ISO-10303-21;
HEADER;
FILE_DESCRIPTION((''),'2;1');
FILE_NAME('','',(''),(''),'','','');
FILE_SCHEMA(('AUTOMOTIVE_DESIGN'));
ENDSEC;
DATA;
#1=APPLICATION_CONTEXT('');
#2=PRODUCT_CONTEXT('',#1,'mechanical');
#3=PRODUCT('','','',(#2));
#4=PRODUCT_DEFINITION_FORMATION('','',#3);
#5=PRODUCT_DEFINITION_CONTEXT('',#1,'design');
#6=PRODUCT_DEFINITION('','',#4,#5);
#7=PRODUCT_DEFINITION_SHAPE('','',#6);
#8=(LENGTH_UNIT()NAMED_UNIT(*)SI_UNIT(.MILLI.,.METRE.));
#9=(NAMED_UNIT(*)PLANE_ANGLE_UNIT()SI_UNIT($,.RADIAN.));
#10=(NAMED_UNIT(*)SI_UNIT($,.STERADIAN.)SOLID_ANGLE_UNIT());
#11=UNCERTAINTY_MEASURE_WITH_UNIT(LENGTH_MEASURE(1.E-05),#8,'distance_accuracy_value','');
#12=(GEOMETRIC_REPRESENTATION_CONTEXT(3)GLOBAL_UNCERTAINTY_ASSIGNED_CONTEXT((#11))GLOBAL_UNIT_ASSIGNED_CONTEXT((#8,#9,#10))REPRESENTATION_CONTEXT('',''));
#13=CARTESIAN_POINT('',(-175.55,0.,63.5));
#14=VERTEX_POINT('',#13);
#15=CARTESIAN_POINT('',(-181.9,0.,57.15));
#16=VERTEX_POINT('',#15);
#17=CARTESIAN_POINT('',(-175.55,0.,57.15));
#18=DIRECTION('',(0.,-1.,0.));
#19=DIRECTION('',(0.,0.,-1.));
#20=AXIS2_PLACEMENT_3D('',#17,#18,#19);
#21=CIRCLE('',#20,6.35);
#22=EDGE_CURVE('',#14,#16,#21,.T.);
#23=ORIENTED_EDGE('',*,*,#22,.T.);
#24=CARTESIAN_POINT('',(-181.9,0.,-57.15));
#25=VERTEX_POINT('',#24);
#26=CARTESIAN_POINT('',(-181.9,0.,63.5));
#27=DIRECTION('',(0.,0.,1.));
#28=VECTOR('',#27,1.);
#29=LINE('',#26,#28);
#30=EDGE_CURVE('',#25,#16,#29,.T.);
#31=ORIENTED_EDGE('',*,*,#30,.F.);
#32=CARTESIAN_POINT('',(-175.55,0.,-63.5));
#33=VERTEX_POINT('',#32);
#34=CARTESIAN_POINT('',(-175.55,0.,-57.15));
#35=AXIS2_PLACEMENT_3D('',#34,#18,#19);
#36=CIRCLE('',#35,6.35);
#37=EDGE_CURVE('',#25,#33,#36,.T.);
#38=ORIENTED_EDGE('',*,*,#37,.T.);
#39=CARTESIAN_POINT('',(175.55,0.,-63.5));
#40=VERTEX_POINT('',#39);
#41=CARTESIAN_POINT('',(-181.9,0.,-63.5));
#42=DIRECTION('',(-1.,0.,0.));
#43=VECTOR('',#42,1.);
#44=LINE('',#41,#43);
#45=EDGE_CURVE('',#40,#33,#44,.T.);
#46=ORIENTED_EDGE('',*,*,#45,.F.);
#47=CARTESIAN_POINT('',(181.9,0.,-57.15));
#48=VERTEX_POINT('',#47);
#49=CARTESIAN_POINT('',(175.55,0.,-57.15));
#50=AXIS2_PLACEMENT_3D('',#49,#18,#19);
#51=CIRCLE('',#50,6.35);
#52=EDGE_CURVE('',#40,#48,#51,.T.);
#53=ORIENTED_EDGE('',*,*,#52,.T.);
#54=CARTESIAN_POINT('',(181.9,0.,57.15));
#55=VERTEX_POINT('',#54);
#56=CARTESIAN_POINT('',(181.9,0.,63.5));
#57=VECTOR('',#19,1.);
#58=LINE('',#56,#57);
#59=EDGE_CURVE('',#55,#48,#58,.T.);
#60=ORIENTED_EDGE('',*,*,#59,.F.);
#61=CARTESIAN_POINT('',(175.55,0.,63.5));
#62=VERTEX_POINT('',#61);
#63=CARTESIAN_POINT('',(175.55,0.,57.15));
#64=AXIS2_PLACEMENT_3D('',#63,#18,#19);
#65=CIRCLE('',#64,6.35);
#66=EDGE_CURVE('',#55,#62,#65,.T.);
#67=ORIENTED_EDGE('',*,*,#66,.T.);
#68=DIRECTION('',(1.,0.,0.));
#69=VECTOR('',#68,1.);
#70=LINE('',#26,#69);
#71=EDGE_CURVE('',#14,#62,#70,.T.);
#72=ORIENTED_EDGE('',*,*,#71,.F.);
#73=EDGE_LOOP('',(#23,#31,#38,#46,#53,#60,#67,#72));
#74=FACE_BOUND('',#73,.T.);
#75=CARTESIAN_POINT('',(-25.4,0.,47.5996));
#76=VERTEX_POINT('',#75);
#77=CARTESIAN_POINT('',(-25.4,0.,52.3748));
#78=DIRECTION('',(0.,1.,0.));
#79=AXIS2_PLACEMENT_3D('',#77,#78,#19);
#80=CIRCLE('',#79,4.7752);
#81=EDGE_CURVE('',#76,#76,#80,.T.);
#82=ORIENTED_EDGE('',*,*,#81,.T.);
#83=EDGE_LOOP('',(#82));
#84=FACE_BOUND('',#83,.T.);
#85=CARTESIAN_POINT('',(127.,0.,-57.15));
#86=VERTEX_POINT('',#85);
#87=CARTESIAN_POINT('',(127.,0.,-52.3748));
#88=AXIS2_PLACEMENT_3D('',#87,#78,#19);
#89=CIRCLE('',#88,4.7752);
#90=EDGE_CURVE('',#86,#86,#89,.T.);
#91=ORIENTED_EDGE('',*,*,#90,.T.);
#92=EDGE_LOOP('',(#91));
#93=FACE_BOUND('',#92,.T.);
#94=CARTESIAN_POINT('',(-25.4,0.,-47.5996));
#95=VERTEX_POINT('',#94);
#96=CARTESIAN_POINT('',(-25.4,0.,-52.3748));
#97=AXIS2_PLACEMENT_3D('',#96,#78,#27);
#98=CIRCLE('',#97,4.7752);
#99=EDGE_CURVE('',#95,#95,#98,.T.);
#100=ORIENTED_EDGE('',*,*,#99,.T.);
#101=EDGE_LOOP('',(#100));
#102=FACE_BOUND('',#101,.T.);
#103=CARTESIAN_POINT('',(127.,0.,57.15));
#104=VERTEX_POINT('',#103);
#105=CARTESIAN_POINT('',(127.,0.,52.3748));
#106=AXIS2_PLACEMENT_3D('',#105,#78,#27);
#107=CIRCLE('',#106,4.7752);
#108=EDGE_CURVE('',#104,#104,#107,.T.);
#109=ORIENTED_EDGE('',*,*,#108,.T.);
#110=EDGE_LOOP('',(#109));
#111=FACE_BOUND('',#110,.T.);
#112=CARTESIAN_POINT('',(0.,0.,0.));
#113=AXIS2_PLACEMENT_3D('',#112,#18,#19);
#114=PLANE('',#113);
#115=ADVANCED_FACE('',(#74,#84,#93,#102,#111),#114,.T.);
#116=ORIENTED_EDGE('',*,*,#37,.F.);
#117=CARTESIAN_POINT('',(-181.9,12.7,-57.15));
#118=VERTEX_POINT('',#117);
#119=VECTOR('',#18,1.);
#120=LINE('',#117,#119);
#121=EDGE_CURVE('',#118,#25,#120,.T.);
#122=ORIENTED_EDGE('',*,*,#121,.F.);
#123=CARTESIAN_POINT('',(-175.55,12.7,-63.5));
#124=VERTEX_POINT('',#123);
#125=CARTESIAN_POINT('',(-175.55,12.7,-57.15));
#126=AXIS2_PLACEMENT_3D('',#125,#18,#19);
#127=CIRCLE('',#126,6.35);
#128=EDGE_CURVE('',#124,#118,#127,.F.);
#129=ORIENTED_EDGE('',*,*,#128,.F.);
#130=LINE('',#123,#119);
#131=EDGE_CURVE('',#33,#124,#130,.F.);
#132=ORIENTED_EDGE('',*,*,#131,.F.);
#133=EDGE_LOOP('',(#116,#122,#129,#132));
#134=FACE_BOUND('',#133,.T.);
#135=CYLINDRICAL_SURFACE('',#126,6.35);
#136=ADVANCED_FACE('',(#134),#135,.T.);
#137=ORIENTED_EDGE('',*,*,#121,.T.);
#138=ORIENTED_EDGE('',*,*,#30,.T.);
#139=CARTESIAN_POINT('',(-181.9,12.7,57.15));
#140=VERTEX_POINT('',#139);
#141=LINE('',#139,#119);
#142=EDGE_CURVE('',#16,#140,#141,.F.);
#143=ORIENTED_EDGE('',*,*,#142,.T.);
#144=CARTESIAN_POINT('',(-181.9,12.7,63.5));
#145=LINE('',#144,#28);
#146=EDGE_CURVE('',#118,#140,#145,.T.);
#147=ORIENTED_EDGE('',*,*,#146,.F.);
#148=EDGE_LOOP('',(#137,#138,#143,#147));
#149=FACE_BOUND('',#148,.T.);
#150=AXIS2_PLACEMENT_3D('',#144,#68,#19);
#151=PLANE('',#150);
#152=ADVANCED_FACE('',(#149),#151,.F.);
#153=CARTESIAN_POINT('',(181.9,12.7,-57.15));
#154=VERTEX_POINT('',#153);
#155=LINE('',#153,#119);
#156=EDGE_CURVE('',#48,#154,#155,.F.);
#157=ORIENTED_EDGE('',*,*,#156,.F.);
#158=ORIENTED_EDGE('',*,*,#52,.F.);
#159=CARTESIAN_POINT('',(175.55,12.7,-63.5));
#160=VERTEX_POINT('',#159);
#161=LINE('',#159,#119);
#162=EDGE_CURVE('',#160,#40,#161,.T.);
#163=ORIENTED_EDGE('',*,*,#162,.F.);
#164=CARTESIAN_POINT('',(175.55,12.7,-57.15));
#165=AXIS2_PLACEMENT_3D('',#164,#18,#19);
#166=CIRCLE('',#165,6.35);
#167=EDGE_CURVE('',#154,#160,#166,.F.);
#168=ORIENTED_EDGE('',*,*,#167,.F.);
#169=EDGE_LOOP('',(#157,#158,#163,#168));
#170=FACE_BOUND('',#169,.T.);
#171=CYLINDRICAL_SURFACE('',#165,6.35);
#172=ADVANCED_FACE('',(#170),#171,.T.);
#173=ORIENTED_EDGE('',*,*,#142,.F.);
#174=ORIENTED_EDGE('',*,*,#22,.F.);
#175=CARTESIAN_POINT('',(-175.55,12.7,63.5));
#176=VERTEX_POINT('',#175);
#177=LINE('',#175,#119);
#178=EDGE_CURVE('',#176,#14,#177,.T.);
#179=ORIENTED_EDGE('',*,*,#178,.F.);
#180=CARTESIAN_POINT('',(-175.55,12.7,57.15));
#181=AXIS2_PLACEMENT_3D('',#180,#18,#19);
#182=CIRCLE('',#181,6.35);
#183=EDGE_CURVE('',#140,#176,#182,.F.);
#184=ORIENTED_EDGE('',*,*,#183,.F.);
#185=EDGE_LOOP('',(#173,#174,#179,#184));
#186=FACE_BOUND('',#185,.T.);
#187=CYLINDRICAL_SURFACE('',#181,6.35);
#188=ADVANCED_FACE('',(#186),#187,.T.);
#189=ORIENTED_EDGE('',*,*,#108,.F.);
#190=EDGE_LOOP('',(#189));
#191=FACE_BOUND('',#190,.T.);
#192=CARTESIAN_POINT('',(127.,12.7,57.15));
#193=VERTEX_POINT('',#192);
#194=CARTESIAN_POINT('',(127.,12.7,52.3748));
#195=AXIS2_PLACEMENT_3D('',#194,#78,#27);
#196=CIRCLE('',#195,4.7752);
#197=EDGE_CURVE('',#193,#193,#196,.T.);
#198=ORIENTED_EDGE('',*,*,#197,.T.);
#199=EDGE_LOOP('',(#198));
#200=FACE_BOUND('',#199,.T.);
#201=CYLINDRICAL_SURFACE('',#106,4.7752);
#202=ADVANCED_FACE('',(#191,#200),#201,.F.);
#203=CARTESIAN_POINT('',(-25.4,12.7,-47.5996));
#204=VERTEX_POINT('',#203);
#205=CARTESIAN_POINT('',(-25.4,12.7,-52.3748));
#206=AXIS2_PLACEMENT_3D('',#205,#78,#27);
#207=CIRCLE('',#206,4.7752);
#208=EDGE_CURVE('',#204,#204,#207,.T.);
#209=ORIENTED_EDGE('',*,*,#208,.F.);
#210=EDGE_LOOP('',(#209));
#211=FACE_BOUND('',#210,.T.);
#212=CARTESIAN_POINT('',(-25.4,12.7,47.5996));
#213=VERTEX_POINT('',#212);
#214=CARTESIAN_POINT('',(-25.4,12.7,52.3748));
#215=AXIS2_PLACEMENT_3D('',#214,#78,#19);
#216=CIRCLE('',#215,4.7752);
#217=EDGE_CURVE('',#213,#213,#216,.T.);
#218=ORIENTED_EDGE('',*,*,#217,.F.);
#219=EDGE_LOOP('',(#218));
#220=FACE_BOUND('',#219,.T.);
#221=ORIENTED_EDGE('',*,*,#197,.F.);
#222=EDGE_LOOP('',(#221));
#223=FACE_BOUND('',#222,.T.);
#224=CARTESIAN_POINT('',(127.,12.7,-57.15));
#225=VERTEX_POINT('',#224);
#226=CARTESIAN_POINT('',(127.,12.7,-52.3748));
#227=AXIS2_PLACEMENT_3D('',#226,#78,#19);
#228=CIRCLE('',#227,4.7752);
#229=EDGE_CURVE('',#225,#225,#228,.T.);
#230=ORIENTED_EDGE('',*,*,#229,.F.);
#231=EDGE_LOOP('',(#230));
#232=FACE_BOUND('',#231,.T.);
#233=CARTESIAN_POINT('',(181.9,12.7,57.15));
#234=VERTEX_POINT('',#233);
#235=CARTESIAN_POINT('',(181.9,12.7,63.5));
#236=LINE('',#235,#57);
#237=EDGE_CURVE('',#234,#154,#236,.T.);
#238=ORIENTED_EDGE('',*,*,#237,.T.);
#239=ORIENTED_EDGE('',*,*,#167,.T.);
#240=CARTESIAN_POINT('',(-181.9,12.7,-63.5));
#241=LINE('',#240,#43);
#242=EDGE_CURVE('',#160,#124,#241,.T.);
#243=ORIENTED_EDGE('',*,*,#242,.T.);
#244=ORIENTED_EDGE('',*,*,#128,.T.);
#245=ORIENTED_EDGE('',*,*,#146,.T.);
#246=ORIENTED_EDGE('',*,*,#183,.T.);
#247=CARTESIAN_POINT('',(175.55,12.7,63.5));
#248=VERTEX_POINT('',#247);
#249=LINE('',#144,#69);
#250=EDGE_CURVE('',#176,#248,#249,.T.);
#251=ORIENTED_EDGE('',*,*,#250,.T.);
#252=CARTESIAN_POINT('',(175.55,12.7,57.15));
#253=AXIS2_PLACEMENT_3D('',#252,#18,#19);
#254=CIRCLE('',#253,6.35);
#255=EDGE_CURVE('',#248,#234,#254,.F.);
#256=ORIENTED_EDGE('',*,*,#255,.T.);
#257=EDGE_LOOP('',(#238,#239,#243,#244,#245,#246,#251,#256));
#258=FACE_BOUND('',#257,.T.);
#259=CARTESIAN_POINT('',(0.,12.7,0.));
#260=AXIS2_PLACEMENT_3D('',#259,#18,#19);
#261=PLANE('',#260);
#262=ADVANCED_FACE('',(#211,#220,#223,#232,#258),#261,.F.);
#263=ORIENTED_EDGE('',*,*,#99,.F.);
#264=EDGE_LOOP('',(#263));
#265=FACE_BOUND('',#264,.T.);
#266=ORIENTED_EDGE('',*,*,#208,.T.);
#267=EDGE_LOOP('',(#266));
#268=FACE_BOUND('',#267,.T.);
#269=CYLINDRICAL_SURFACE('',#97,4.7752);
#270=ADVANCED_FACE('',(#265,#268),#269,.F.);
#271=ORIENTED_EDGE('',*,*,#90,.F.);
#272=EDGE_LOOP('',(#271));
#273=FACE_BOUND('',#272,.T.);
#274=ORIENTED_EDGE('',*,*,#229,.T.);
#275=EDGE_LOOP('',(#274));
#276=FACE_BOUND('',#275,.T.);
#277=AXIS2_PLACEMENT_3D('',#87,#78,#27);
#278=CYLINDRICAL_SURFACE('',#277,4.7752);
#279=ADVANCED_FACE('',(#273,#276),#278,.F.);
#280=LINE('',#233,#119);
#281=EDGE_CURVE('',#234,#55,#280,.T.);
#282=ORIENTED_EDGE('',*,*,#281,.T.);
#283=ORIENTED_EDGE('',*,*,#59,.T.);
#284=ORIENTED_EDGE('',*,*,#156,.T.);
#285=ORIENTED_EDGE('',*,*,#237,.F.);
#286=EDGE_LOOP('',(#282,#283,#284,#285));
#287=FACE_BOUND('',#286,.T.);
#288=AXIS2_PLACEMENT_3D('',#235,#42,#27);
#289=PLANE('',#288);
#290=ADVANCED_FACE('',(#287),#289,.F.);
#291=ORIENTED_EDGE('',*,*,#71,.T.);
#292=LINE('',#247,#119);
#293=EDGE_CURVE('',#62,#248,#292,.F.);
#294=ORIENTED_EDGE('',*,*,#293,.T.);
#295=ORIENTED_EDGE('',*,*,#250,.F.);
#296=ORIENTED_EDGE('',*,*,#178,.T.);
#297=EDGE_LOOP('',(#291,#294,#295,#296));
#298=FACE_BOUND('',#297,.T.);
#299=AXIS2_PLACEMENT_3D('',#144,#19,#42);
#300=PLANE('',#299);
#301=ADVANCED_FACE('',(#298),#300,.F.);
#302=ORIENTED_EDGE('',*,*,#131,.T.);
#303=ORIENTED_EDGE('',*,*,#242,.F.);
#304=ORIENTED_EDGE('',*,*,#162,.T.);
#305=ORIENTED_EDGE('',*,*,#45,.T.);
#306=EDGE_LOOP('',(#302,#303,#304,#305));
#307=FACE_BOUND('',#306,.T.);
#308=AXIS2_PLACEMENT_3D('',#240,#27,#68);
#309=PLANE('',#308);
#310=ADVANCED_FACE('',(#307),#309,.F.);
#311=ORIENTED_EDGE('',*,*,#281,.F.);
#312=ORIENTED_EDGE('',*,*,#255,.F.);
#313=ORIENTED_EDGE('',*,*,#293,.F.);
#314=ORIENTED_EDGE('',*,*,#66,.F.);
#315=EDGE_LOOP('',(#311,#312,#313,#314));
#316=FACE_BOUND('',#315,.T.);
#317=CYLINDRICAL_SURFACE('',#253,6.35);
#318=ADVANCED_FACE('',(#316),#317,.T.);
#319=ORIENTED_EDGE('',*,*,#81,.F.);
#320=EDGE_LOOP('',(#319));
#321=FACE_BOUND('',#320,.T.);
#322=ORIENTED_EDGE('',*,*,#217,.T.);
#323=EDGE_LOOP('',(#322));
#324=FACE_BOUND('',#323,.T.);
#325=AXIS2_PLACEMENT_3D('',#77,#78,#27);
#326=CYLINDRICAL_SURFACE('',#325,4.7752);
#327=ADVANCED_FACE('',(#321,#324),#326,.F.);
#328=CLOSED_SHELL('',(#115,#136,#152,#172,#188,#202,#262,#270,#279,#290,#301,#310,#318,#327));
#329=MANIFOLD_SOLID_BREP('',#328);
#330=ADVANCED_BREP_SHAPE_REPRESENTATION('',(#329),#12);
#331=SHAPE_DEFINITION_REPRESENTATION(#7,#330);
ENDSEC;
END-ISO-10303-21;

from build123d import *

# Parameters (mm, degrees)
SKETCH1_W           = 363.80000011
SKETCH1_H           = 127
BOSS_EXTRUDE1_DEPTH = 12.7
FILLET1_R           = 6.35
SKETCH2_R           = 4.7752
CUT_EXTRUDE1_DEPTH  = 194.083272243


with BuildPart() as part:
    # Sketch1 → Boss-Extrude1 (new body)
    with BuildSketch(Plane(origin=(0, 0, 0), x_dir=(1, 0, 0), z_dir=(0, 1, 0))):
        Rectangle(SKETCH1_W, SKETCH1_H)
    extrude(amount=BOSS_EXTRUDE1_DEPTH)

    # Fillet1
    fillet1_edges = [part.edges().sort_by_distance(p)[0] for p in [
        (181.900000055, 6.35, 63.5),
        (-181.900000055, 6.35, 63.5),
        (-181.900000055, 6.35, -63.5),
        (181.900000055, 6.35, -63.5),
    ]]
    fillet(fillet1_edges, radius=FILLET1_R)

    # Sketch2 → Cut-Extrude1 (cut, through all)
    with BuildSketch(Plane(origin=(0, 12.7, 0), x_dir=(1, 0, 0), z_dir=(0, 1, 0))):
        with Locations(Location((-25.4, 52.3748, 0), (0, 0, 270))):
            Circle(SKETCH2_R)
        with Locations(Location((-25.4, -52.3748, 0), (0, 0, 90))):
            Circle(SKETCH2_R)
        with Locations(Location((127, -52.3748, 0), (0, 0, 270))):
            Circle(SKETCH2_R)
        with Locations(Location((127, 52.3748, 0), (0, 0, 90))):
            Circle(SKETCH2_R)
    extrude(amount=-CUT_EXTRUDE1_DEPTH, mode=Mode.SUBTRACT)


solid = part.part
